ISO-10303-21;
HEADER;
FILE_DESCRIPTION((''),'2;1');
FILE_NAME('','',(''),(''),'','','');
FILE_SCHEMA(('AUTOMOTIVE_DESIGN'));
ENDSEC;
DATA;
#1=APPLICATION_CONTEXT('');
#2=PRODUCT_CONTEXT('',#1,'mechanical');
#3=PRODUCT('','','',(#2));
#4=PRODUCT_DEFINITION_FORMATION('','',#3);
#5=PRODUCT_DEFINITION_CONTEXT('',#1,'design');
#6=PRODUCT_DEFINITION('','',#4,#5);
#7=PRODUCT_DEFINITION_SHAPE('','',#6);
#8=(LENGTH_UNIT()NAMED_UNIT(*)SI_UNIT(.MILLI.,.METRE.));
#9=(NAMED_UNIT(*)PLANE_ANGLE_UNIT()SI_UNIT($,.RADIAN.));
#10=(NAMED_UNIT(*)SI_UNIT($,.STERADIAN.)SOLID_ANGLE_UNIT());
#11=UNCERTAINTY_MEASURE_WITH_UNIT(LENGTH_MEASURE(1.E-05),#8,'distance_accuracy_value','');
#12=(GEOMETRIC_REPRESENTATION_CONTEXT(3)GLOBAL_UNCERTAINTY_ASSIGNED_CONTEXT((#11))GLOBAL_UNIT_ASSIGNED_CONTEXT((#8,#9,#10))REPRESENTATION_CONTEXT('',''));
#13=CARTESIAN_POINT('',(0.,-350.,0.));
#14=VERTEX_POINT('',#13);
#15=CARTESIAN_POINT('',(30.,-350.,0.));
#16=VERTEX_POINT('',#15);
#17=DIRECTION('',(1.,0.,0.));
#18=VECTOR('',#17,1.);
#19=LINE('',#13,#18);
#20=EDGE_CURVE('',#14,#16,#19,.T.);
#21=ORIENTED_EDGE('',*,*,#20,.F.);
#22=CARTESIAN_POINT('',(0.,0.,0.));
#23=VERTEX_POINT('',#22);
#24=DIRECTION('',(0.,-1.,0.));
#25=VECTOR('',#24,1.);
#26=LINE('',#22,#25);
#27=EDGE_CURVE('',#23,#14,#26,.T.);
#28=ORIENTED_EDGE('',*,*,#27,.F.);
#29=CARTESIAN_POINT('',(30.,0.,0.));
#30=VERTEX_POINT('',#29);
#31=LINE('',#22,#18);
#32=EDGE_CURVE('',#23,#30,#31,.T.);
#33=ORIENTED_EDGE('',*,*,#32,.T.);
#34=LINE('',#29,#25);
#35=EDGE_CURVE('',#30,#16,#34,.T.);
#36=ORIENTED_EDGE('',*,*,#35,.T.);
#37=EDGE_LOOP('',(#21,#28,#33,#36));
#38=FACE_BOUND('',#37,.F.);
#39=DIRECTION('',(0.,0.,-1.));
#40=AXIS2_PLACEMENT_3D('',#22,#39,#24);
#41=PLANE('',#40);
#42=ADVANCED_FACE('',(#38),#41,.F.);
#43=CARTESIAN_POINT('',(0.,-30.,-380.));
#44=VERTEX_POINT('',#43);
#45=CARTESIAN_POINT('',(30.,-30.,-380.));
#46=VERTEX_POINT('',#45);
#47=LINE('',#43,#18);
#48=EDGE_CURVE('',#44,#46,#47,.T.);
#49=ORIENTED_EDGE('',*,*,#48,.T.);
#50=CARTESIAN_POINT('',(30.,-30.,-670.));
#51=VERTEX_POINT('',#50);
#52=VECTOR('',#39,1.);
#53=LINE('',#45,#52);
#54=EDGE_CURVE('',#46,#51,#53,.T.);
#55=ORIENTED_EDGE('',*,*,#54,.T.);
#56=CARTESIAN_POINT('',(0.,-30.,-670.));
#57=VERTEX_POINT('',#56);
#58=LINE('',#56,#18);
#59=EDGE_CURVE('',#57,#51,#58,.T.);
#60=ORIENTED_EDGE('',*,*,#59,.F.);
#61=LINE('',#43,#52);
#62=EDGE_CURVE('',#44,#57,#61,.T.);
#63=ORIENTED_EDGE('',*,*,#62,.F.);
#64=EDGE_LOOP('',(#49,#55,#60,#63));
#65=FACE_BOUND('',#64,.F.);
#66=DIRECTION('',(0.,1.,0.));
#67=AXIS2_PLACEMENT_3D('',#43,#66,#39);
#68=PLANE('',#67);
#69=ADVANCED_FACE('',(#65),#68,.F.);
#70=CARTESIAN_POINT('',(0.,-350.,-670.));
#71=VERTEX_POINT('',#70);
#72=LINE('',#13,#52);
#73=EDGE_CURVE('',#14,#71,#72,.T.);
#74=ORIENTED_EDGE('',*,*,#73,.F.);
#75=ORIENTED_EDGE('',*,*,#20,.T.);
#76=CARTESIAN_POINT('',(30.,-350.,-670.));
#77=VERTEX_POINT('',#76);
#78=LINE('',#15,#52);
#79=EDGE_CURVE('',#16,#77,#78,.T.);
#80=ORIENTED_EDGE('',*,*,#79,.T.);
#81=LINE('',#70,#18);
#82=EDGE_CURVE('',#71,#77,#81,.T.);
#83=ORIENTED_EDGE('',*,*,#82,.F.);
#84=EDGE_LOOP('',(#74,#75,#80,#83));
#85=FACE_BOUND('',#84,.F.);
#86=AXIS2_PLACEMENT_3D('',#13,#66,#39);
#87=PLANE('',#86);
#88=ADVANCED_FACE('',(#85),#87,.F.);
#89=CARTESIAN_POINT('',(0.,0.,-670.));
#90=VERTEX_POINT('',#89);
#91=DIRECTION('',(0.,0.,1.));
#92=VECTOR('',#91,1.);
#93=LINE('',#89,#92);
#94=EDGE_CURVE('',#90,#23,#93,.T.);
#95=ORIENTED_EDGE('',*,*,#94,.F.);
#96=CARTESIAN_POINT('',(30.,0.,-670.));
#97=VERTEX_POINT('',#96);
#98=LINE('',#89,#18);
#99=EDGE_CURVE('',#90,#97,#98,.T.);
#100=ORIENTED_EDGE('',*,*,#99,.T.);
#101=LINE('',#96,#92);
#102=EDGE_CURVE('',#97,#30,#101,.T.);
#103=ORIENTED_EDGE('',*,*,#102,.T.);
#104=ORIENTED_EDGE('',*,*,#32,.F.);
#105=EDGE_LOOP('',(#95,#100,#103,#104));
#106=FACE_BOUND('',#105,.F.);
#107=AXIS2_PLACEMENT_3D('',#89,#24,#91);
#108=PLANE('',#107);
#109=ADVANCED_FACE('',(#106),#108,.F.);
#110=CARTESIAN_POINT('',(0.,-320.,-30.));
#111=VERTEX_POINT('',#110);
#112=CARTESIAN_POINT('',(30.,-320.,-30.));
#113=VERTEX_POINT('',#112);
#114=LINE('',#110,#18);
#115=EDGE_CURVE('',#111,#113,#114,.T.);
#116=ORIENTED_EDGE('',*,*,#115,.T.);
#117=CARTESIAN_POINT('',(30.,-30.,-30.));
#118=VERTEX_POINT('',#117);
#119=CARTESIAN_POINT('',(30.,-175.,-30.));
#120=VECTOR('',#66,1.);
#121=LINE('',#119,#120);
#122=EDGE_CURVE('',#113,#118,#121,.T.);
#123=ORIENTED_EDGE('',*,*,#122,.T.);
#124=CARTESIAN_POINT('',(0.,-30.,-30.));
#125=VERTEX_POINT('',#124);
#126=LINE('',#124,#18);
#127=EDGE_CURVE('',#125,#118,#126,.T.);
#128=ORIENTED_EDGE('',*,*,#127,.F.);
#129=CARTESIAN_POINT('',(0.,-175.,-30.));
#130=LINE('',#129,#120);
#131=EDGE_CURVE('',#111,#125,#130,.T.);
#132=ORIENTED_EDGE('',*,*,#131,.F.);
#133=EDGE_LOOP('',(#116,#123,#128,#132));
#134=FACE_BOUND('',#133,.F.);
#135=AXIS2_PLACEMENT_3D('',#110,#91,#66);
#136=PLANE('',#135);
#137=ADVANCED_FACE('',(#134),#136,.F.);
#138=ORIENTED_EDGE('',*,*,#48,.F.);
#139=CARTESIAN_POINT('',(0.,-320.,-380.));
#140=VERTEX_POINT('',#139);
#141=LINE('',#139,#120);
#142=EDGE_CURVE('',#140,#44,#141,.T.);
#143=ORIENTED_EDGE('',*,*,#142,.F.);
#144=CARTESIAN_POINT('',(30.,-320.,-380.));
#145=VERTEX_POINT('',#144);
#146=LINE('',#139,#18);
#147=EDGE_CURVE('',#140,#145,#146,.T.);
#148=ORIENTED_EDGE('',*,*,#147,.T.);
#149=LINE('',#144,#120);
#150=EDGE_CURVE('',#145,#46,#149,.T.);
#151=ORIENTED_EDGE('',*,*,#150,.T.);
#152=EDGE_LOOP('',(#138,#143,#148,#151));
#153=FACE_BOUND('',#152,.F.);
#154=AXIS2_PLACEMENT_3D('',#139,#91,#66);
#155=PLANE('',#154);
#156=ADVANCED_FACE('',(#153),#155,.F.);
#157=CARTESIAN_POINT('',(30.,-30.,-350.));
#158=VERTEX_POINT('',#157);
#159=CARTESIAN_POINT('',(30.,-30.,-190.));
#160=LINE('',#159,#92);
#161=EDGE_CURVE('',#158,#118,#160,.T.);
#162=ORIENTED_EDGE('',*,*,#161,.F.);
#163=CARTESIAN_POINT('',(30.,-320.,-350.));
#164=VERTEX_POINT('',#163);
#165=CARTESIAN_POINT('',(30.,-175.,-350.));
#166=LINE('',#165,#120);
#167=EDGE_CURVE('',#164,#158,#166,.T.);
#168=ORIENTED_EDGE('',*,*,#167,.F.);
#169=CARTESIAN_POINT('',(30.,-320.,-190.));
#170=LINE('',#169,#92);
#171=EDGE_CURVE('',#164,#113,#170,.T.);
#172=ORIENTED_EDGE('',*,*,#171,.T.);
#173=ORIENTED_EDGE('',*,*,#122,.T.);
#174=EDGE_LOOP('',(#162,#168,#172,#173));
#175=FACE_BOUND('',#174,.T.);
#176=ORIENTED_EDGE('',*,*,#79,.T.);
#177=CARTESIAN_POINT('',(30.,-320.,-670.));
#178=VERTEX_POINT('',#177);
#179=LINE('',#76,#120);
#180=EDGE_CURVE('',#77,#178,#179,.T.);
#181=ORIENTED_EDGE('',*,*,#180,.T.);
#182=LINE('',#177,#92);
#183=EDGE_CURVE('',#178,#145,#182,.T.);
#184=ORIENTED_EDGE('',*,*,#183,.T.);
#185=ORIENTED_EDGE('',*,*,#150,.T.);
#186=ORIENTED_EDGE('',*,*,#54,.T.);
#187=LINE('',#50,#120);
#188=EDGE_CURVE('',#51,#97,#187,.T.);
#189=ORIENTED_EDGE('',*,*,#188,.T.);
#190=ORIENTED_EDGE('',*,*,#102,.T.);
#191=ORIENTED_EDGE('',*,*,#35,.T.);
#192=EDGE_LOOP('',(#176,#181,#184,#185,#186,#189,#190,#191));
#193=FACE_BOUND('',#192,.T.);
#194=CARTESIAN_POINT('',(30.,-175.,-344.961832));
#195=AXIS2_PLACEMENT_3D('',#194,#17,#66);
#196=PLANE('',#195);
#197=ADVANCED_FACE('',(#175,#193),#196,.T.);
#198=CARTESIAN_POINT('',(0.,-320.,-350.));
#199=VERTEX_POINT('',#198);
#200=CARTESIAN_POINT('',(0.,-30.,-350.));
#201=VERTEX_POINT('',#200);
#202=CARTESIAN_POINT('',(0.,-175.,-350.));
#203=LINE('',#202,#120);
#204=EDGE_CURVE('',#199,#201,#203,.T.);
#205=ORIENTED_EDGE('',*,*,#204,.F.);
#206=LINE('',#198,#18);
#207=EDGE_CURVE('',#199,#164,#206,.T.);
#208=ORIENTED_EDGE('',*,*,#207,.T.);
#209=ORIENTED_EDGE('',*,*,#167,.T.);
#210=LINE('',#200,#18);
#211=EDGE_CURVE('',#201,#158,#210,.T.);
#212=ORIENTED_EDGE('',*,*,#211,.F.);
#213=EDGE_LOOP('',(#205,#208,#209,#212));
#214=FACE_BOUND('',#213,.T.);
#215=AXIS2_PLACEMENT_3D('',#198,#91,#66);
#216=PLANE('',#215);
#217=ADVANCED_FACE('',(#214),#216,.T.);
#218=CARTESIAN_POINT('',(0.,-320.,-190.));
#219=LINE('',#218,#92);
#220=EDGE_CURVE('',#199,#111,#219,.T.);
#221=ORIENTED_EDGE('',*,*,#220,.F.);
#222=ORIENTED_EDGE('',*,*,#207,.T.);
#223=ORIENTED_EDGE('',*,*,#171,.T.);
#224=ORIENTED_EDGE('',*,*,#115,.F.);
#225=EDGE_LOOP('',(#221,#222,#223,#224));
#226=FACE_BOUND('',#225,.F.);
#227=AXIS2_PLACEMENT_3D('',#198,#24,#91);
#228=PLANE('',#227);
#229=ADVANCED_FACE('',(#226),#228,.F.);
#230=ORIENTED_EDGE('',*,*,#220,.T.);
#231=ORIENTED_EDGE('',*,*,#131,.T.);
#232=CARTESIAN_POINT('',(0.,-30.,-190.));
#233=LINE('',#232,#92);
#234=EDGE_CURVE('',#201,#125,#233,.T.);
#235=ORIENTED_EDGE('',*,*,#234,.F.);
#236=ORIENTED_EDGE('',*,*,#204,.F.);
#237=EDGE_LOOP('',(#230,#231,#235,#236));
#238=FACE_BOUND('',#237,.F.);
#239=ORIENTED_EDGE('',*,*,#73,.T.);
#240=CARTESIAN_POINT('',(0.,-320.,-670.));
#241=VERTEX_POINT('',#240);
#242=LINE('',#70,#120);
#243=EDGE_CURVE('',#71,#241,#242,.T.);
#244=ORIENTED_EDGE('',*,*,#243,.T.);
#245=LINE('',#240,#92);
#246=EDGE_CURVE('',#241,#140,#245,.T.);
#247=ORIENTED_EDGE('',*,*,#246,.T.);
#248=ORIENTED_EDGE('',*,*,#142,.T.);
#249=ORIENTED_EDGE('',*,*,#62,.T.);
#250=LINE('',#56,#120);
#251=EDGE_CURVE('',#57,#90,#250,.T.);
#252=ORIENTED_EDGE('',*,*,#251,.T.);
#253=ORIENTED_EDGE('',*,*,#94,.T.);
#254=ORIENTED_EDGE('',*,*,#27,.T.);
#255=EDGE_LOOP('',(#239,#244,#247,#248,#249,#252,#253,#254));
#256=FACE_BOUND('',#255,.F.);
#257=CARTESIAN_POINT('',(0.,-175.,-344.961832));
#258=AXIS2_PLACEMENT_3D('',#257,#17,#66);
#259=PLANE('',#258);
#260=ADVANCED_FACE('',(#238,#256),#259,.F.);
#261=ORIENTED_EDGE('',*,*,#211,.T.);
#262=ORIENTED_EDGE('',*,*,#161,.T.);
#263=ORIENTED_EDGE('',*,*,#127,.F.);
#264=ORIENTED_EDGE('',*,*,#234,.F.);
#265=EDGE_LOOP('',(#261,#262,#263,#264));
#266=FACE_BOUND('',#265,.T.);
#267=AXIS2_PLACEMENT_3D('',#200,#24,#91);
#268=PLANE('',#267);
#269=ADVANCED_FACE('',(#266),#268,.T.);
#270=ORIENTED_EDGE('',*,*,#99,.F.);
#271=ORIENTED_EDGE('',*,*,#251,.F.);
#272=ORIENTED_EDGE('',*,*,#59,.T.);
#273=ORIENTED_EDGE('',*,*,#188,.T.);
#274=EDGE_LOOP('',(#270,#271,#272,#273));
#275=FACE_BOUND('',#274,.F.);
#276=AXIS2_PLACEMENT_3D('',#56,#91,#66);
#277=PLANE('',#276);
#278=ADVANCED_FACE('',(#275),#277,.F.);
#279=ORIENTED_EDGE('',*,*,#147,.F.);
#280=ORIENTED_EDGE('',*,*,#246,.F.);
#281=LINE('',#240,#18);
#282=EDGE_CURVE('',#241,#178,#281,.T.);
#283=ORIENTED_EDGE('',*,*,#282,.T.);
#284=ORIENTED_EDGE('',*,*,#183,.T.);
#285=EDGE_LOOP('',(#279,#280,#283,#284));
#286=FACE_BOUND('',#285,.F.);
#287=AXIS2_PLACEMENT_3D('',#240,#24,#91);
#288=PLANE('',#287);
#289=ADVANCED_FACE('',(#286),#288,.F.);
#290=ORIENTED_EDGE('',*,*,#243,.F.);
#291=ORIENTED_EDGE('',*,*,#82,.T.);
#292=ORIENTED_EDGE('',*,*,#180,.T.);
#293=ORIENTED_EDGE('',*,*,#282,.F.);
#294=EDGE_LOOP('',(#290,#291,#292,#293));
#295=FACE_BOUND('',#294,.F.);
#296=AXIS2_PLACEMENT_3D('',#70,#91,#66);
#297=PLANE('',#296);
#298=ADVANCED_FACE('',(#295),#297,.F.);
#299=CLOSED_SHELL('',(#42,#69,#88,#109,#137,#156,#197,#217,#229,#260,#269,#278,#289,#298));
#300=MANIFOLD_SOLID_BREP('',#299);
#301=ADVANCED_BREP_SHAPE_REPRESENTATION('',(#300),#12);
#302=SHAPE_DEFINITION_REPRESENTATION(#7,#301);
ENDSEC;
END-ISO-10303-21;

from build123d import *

# Parameters (mm, degrees)
F0_W     = 290
F0_H     = 320
F1_DEPTH = 30


with BuildPart() as f1:
    # F0 (on Right) → F1 (new body)
    with BuildSketch(Plane.YZ):
        Polygon((0, -670), (0, 0), (-350, 0), (-350, -670), (-320, -670), (-320, -380), (-30, -380), (-30, -670), align=None)
        with Locations((-175, -190)):
            Rectangle(F0_W, F0_H, mode=Mode.SUBTRACT)
    extrude(amount=F1_DEPTH)


solid = f1.part
